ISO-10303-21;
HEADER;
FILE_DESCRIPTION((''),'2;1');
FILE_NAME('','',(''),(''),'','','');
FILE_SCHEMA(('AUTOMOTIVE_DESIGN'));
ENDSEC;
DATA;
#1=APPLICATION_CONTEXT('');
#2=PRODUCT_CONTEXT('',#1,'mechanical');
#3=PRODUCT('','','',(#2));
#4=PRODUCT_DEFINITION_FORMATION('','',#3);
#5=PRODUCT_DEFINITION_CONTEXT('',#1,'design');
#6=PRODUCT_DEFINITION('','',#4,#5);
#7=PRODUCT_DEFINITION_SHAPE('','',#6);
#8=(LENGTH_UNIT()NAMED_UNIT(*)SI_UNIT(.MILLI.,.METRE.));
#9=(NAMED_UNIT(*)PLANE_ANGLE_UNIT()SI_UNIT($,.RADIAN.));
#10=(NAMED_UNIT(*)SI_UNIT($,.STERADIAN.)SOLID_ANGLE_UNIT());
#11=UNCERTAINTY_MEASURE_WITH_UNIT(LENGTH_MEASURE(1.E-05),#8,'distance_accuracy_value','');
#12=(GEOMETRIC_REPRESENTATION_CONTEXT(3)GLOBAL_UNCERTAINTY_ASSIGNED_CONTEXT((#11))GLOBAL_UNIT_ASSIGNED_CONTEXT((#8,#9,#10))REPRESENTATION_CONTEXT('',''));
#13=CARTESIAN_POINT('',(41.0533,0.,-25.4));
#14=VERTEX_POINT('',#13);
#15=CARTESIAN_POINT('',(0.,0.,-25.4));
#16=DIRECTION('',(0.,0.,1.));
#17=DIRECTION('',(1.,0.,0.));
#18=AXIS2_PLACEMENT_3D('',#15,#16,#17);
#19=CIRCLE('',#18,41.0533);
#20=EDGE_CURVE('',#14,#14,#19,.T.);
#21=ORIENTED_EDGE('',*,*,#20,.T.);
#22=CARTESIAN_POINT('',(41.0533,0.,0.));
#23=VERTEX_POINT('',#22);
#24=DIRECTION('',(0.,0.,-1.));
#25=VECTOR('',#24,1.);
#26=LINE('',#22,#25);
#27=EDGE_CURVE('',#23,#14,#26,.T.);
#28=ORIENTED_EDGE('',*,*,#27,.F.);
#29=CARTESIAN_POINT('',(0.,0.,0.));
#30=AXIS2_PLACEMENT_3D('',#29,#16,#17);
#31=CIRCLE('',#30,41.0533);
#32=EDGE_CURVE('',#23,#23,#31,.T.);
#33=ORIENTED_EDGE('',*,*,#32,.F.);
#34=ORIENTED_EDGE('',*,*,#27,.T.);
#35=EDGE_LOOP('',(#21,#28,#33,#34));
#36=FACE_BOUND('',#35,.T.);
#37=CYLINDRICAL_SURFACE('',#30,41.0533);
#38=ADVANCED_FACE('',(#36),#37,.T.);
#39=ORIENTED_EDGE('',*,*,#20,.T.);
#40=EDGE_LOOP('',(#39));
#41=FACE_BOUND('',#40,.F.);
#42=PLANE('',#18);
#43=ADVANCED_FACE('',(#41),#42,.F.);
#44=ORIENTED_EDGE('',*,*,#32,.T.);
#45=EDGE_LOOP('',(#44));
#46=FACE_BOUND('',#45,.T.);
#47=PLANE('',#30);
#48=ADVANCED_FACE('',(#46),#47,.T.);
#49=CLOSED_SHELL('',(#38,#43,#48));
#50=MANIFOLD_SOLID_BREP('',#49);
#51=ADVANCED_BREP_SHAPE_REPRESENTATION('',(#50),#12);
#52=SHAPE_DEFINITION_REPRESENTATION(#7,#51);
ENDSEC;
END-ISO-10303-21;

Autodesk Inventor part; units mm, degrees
ref_plane "YZ Plane" through (0, 0, 0) normal (1, 0, 0) x (0, 1, 0)
ref_plane "XZ Plane" through (0, 0, 0) normal (0, 1, 0) x (-1, 0, 0)
sketch "Sketch1" plane through (0, 0, 0) normal (0, 0, 1) x (1, 0, 0)
  circle A0 centre (0, 0) radius 41.0533 projected
ref_plane "Work Plane1" through (-50.7007, -50.8, -25.4) normal (0, 0, -1) x (0, 1, 0)
extrude "Extrusion1" add sketch "Sketch1" against normal up to surface (25.4 mm away)
properties part number "WheelMod4"
